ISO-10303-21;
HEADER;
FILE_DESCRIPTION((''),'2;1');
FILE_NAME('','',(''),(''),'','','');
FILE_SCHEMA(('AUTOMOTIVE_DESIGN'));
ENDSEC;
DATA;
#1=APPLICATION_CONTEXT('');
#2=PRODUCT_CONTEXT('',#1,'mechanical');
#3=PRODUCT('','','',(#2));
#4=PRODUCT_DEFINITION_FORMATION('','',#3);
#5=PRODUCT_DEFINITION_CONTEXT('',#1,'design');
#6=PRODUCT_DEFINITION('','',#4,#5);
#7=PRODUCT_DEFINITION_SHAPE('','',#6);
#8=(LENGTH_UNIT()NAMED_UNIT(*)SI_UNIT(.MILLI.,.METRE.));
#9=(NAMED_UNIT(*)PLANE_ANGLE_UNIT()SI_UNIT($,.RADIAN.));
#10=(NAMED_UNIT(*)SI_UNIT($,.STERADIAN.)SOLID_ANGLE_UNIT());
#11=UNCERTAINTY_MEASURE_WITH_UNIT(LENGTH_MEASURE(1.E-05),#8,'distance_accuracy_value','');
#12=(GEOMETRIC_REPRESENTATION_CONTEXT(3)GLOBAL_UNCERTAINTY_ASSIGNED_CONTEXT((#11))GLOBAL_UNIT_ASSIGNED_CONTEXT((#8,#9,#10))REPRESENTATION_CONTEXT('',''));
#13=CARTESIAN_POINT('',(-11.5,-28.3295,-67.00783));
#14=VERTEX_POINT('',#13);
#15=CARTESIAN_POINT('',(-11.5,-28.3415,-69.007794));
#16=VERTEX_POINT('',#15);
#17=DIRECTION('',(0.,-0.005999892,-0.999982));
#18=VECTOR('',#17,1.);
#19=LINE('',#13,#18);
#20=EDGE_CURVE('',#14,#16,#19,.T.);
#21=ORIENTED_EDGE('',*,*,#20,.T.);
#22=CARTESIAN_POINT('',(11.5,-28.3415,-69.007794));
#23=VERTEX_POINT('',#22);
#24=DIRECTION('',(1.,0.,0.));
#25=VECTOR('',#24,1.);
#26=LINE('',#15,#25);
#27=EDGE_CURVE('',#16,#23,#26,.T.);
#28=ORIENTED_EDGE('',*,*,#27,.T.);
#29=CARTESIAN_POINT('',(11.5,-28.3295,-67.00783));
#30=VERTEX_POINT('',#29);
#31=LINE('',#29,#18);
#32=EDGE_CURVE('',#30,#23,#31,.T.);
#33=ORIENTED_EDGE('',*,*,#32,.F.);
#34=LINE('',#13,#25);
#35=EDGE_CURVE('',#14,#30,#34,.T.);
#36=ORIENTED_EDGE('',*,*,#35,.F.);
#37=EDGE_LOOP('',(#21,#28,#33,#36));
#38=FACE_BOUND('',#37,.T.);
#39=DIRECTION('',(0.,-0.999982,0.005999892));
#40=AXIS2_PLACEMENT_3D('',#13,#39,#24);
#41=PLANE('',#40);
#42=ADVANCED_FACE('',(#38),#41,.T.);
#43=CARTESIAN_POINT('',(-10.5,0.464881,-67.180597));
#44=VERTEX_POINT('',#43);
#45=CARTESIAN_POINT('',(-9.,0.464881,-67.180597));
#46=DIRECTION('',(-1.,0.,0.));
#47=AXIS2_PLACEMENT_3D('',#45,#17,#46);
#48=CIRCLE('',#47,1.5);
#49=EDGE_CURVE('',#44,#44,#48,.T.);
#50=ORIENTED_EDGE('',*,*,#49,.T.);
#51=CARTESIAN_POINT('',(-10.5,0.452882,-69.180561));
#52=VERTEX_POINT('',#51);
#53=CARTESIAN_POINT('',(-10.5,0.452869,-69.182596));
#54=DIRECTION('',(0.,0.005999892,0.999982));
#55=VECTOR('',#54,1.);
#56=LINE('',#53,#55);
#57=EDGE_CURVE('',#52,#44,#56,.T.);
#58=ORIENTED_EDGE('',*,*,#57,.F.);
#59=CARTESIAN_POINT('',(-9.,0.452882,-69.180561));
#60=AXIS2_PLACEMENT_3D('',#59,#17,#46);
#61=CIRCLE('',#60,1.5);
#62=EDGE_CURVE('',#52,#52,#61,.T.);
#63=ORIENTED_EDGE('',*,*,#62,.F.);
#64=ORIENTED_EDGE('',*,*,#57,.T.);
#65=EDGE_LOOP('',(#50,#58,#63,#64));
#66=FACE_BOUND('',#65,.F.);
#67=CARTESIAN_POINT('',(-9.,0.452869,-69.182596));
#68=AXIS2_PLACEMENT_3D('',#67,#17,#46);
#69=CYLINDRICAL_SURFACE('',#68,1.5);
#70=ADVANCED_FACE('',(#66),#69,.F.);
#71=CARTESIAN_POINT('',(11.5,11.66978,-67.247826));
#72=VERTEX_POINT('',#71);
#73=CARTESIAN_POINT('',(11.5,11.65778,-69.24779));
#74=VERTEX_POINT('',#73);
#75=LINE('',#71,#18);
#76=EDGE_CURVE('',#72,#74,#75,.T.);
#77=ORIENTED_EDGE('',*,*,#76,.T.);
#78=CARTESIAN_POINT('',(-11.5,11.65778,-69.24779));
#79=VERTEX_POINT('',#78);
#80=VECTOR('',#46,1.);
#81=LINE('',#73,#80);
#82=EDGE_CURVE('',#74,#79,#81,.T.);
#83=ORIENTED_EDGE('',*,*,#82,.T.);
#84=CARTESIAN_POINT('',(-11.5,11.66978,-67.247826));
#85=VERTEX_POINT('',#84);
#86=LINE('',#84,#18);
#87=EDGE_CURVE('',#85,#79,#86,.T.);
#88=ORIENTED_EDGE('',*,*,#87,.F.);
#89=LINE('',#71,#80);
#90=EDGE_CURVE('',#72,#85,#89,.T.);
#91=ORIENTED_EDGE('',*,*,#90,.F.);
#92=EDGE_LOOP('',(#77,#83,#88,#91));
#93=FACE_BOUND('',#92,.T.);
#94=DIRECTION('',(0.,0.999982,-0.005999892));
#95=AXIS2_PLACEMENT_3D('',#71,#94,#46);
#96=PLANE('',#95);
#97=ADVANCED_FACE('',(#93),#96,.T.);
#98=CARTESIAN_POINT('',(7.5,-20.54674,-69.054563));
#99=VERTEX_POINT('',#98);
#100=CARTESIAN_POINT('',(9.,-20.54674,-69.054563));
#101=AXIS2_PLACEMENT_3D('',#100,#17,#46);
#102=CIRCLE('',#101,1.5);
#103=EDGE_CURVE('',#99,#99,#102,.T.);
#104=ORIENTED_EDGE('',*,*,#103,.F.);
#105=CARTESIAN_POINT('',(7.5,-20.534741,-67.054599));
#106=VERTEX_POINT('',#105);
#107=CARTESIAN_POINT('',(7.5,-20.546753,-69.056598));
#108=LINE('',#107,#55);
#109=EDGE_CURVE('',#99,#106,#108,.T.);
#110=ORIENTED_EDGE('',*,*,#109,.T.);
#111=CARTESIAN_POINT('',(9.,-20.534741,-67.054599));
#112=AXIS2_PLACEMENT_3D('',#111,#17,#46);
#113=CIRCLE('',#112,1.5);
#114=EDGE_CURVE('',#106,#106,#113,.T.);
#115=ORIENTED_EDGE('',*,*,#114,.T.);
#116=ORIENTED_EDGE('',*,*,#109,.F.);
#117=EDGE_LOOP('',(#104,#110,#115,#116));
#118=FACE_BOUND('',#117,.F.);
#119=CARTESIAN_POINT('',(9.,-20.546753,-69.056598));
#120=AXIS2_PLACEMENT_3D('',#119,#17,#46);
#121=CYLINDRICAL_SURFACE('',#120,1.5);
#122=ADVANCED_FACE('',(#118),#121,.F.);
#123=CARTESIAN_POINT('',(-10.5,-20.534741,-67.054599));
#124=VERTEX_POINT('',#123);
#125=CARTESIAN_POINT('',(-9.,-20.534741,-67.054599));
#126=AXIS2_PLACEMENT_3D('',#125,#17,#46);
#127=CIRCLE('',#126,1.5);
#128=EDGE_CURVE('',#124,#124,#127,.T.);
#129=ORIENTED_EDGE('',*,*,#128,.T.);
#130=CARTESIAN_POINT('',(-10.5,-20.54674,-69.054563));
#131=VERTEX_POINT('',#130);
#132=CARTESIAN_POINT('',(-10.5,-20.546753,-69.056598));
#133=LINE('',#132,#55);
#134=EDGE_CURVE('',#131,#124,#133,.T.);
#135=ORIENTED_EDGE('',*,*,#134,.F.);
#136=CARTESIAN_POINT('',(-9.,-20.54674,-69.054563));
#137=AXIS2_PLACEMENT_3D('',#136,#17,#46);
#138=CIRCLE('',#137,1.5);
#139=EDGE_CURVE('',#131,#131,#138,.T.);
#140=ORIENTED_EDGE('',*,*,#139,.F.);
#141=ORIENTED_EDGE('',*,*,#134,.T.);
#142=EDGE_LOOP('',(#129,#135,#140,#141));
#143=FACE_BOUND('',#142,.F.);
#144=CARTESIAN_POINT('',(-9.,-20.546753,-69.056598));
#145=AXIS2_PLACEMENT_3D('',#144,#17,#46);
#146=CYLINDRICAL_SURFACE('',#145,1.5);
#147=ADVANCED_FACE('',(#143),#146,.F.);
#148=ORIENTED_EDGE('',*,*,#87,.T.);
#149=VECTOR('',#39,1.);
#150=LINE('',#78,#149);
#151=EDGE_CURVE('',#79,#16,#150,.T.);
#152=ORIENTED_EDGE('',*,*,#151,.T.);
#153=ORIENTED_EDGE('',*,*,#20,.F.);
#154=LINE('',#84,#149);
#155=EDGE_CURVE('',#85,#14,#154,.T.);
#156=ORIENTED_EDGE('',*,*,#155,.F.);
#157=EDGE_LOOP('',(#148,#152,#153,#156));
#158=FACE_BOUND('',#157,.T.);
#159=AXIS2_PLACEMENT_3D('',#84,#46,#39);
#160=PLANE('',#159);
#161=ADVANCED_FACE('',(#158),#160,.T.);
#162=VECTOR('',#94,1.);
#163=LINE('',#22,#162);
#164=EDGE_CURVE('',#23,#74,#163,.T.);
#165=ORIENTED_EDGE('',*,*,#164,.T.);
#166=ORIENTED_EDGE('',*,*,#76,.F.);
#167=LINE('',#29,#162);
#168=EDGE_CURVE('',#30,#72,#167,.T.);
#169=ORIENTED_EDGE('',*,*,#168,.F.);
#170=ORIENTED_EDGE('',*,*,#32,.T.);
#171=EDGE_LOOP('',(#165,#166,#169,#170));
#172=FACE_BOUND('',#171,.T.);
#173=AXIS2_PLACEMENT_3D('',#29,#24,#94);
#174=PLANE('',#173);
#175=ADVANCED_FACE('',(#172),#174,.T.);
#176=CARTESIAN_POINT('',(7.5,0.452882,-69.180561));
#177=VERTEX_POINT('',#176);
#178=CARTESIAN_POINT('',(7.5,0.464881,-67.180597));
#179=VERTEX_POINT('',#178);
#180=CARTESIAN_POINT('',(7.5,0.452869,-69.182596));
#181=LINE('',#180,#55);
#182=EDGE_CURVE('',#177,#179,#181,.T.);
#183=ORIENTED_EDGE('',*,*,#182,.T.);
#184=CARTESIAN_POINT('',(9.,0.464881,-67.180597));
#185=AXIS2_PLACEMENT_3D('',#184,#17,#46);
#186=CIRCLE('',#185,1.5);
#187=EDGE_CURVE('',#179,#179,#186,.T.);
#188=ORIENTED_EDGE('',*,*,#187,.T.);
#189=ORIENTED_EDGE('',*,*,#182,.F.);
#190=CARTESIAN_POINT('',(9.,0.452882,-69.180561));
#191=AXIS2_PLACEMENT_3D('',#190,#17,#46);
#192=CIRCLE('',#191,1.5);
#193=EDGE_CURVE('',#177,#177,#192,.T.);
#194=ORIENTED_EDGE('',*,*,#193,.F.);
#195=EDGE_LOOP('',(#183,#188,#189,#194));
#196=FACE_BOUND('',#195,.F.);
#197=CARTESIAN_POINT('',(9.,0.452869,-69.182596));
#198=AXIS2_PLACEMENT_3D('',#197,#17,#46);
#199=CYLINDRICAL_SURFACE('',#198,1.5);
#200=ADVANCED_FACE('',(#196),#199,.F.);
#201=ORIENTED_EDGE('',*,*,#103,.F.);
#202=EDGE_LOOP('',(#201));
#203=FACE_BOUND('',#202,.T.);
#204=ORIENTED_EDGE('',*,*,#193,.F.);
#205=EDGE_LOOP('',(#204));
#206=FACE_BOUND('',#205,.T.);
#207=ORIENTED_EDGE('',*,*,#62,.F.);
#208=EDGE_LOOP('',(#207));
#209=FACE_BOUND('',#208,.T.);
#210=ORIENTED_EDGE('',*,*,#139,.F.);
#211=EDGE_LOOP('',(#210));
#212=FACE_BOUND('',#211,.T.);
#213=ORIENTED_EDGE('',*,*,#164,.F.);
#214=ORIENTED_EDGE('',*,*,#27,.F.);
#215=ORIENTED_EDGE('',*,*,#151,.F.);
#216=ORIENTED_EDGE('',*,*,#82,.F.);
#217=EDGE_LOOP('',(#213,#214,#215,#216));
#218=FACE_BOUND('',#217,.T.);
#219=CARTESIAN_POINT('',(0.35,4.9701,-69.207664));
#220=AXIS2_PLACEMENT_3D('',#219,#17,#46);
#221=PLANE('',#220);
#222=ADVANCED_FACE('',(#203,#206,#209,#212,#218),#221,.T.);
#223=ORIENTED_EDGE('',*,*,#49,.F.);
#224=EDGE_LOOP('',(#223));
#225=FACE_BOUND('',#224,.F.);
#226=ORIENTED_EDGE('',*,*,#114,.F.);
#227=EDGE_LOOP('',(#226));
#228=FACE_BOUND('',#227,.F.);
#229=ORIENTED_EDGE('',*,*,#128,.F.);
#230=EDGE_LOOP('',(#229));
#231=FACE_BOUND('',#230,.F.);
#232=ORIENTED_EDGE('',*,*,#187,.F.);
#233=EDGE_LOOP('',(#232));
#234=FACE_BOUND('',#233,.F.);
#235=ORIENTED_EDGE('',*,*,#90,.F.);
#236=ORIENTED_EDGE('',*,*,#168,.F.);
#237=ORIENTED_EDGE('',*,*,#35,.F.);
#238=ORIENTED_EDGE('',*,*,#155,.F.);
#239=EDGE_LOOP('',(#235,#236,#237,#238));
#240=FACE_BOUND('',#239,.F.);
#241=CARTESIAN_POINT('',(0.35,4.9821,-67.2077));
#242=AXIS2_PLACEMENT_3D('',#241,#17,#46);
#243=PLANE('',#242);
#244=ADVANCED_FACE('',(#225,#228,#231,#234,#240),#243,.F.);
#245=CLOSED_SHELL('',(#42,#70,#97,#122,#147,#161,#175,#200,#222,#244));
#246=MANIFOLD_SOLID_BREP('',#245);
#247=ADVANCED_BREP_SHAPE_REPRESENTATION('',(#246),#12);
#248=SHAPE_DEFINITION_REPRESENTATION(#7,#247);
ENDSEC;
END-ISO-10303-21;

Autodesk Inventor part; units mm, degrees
ref_plane "YZ Plane" through (0, 0, 0) normal (1, 0, 0) x (0, 1, 0)
ref_plane "XZ Plane" through (0, 0, 0) normal (0, 1, 0) x (-1, 0, 0)
ref_plane "XY Plane" through (0, 0, 0) normal (0, 0, 1) x (1, 0, 0)
ref_plane "РабПлоскость1" through (0.35, 4.9821, -67.2077) normal (0, -0.006, -1) x (-1, 0, 0)
sketch "Эскиз1" plane through (0.35, 4.9821, -67.2077) normal (0, -0.006, -1) x (-1, 0, 0)
  line L0 (-11.15, 6.6878) -> (11.85, 6.6878)
  line L1 (11.85, 6.6878) -> (11.85, -33.3122)
  line L2 (11.85, -33.3122) -> (-11.15, -33.3122)
  line L3 (-11.15, -33.3122) -> (-11.15, 6.6878)
  line L4 (-11.15, 6.6878) -> (11.85, -33.3122) construction
  line L5 (11.85, 6.6878) -> (-11.15, -33.3122) construction
  point P0 (0.35, -5.3825)
  point P1 (0.35, -13.3122)
  dimension "d0" = 23
  dimension "d1" = 40
extrude "Выдавливание1" add sketch "Эскиз1" along normal blind 2
sketch "Эскиз2" plane through (0.35, 4.9702, -69.2077) normal (0, -0.006, -1) x (-1, 0, 0)
  line L0 (-8.65, -25.5174) -> (9.35, -25.5174) construction
  line L1 (9.35, -25.5174) -> (9.35, -4.5174) construction
  line L2 (9.35, -4.5174) -> (-8.65, -4.5174) construction
  line L3 (-8.65, -4.5174) -> (-8.65, -25.5174) construction
  line L4 (-8.65, -25.5174) -> (9.35, -4.5174) construction
  line L5 (9.35, -25.5174) -> (-8.65, -4.5174) construction
  circle A0 centre (9.35, -4.5174) radius 1.5
  circle A1 centre (-8.65, -4.5174) radius 1.5
  circle A2 centre (-8.65, -25.5174) radius 1.5
  circle A3 centre (9.35, -25.5174) radius 1.5
  point P0 (0.35, -5.3825)
  point P1 (0.35, -15.0174)
  dimension "d4" = 18
  dimension "d5" = 21
  dimension "d6" = 3
extrude "Выдавливание2" cut sketch "Эскиз2" against normal blind 2
properties part number "ЛЦМК000002.00.00.00.00.11"
